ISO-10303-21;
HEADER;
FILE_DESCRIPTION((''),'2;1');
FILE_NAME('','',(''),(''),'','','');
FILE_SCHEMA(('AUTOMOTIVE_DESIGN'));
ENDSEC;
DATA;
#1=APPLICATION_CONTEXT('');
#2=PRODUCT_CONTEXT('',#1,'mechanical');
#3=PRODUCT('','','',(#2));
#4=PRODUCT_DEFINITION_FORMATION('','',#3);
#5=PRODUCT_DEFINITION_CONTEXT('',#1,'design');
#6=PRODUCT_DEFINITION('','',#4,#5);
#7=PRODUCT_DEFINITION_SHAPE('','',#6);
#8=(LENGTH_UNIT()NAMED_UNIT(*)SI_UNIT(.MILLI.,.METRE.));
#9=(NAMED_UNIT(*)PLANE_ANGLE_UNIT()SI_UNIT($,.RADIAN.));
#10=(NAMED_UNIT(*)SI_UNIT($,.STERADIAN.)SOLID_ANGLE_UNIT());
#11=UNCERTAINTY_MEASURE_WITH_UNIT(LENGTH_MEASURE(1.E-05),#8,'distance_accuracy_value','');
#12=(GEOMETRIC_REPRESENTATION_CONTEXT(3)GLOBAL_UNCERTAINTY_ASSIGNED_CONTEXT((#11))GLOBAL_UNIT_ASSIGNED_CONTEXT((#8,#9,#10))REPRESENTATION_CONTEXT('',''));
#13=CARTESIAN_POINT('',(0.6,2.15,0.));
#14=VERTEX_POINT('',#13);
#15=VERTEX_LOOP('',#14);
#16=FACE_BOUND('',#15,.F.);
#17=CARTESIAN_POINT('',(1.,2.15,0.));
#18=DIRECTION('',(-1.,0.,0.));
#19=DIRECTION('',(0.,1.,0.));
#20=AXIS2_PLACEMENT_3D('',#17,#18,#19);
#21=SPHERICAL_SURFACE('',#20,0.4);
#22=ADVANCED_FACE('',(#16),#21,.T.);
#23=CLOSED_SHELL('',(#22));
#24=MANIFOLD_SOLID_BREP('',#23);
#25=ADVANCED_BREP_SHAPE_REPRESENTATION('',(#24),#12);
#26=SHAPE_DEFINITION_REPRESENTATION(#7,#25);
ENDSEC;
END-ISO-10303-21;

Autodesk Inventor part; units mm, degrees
ref_plane "YZ Plane" through (0, 0, 0) normal (1, 0, 0) x (0, 1, 0)
ref_plane "XZ Plane" through (0, 0, 0) normal (0, 1, 0) x (-1, 0, 0)
ref_plane "XY Plane" through (0, 0, 0) normal (0, 0, 1) x (1, 0, 0)
sketch "Sketch_6" plane through (0, 0, 0) normal (0, 0, 1) x (1, 0, 0)
  line L0 (1.4, 2.15) -> (0.6, 2.15)
  arc A0 (1.4, 2.15) -> (0.6, 2.15) centre (1, 2.15) ccw
  line L1 (1.4, 2.15) -> (0.6, 2.15)
  dimension "d0" = 360
revolve "Revolution1" add sketch "Sketch_6" angle 360 about axis through (1.4, 2.15, 0) along (1, 0, 0)
properties part number "W 617/3_PART3"
